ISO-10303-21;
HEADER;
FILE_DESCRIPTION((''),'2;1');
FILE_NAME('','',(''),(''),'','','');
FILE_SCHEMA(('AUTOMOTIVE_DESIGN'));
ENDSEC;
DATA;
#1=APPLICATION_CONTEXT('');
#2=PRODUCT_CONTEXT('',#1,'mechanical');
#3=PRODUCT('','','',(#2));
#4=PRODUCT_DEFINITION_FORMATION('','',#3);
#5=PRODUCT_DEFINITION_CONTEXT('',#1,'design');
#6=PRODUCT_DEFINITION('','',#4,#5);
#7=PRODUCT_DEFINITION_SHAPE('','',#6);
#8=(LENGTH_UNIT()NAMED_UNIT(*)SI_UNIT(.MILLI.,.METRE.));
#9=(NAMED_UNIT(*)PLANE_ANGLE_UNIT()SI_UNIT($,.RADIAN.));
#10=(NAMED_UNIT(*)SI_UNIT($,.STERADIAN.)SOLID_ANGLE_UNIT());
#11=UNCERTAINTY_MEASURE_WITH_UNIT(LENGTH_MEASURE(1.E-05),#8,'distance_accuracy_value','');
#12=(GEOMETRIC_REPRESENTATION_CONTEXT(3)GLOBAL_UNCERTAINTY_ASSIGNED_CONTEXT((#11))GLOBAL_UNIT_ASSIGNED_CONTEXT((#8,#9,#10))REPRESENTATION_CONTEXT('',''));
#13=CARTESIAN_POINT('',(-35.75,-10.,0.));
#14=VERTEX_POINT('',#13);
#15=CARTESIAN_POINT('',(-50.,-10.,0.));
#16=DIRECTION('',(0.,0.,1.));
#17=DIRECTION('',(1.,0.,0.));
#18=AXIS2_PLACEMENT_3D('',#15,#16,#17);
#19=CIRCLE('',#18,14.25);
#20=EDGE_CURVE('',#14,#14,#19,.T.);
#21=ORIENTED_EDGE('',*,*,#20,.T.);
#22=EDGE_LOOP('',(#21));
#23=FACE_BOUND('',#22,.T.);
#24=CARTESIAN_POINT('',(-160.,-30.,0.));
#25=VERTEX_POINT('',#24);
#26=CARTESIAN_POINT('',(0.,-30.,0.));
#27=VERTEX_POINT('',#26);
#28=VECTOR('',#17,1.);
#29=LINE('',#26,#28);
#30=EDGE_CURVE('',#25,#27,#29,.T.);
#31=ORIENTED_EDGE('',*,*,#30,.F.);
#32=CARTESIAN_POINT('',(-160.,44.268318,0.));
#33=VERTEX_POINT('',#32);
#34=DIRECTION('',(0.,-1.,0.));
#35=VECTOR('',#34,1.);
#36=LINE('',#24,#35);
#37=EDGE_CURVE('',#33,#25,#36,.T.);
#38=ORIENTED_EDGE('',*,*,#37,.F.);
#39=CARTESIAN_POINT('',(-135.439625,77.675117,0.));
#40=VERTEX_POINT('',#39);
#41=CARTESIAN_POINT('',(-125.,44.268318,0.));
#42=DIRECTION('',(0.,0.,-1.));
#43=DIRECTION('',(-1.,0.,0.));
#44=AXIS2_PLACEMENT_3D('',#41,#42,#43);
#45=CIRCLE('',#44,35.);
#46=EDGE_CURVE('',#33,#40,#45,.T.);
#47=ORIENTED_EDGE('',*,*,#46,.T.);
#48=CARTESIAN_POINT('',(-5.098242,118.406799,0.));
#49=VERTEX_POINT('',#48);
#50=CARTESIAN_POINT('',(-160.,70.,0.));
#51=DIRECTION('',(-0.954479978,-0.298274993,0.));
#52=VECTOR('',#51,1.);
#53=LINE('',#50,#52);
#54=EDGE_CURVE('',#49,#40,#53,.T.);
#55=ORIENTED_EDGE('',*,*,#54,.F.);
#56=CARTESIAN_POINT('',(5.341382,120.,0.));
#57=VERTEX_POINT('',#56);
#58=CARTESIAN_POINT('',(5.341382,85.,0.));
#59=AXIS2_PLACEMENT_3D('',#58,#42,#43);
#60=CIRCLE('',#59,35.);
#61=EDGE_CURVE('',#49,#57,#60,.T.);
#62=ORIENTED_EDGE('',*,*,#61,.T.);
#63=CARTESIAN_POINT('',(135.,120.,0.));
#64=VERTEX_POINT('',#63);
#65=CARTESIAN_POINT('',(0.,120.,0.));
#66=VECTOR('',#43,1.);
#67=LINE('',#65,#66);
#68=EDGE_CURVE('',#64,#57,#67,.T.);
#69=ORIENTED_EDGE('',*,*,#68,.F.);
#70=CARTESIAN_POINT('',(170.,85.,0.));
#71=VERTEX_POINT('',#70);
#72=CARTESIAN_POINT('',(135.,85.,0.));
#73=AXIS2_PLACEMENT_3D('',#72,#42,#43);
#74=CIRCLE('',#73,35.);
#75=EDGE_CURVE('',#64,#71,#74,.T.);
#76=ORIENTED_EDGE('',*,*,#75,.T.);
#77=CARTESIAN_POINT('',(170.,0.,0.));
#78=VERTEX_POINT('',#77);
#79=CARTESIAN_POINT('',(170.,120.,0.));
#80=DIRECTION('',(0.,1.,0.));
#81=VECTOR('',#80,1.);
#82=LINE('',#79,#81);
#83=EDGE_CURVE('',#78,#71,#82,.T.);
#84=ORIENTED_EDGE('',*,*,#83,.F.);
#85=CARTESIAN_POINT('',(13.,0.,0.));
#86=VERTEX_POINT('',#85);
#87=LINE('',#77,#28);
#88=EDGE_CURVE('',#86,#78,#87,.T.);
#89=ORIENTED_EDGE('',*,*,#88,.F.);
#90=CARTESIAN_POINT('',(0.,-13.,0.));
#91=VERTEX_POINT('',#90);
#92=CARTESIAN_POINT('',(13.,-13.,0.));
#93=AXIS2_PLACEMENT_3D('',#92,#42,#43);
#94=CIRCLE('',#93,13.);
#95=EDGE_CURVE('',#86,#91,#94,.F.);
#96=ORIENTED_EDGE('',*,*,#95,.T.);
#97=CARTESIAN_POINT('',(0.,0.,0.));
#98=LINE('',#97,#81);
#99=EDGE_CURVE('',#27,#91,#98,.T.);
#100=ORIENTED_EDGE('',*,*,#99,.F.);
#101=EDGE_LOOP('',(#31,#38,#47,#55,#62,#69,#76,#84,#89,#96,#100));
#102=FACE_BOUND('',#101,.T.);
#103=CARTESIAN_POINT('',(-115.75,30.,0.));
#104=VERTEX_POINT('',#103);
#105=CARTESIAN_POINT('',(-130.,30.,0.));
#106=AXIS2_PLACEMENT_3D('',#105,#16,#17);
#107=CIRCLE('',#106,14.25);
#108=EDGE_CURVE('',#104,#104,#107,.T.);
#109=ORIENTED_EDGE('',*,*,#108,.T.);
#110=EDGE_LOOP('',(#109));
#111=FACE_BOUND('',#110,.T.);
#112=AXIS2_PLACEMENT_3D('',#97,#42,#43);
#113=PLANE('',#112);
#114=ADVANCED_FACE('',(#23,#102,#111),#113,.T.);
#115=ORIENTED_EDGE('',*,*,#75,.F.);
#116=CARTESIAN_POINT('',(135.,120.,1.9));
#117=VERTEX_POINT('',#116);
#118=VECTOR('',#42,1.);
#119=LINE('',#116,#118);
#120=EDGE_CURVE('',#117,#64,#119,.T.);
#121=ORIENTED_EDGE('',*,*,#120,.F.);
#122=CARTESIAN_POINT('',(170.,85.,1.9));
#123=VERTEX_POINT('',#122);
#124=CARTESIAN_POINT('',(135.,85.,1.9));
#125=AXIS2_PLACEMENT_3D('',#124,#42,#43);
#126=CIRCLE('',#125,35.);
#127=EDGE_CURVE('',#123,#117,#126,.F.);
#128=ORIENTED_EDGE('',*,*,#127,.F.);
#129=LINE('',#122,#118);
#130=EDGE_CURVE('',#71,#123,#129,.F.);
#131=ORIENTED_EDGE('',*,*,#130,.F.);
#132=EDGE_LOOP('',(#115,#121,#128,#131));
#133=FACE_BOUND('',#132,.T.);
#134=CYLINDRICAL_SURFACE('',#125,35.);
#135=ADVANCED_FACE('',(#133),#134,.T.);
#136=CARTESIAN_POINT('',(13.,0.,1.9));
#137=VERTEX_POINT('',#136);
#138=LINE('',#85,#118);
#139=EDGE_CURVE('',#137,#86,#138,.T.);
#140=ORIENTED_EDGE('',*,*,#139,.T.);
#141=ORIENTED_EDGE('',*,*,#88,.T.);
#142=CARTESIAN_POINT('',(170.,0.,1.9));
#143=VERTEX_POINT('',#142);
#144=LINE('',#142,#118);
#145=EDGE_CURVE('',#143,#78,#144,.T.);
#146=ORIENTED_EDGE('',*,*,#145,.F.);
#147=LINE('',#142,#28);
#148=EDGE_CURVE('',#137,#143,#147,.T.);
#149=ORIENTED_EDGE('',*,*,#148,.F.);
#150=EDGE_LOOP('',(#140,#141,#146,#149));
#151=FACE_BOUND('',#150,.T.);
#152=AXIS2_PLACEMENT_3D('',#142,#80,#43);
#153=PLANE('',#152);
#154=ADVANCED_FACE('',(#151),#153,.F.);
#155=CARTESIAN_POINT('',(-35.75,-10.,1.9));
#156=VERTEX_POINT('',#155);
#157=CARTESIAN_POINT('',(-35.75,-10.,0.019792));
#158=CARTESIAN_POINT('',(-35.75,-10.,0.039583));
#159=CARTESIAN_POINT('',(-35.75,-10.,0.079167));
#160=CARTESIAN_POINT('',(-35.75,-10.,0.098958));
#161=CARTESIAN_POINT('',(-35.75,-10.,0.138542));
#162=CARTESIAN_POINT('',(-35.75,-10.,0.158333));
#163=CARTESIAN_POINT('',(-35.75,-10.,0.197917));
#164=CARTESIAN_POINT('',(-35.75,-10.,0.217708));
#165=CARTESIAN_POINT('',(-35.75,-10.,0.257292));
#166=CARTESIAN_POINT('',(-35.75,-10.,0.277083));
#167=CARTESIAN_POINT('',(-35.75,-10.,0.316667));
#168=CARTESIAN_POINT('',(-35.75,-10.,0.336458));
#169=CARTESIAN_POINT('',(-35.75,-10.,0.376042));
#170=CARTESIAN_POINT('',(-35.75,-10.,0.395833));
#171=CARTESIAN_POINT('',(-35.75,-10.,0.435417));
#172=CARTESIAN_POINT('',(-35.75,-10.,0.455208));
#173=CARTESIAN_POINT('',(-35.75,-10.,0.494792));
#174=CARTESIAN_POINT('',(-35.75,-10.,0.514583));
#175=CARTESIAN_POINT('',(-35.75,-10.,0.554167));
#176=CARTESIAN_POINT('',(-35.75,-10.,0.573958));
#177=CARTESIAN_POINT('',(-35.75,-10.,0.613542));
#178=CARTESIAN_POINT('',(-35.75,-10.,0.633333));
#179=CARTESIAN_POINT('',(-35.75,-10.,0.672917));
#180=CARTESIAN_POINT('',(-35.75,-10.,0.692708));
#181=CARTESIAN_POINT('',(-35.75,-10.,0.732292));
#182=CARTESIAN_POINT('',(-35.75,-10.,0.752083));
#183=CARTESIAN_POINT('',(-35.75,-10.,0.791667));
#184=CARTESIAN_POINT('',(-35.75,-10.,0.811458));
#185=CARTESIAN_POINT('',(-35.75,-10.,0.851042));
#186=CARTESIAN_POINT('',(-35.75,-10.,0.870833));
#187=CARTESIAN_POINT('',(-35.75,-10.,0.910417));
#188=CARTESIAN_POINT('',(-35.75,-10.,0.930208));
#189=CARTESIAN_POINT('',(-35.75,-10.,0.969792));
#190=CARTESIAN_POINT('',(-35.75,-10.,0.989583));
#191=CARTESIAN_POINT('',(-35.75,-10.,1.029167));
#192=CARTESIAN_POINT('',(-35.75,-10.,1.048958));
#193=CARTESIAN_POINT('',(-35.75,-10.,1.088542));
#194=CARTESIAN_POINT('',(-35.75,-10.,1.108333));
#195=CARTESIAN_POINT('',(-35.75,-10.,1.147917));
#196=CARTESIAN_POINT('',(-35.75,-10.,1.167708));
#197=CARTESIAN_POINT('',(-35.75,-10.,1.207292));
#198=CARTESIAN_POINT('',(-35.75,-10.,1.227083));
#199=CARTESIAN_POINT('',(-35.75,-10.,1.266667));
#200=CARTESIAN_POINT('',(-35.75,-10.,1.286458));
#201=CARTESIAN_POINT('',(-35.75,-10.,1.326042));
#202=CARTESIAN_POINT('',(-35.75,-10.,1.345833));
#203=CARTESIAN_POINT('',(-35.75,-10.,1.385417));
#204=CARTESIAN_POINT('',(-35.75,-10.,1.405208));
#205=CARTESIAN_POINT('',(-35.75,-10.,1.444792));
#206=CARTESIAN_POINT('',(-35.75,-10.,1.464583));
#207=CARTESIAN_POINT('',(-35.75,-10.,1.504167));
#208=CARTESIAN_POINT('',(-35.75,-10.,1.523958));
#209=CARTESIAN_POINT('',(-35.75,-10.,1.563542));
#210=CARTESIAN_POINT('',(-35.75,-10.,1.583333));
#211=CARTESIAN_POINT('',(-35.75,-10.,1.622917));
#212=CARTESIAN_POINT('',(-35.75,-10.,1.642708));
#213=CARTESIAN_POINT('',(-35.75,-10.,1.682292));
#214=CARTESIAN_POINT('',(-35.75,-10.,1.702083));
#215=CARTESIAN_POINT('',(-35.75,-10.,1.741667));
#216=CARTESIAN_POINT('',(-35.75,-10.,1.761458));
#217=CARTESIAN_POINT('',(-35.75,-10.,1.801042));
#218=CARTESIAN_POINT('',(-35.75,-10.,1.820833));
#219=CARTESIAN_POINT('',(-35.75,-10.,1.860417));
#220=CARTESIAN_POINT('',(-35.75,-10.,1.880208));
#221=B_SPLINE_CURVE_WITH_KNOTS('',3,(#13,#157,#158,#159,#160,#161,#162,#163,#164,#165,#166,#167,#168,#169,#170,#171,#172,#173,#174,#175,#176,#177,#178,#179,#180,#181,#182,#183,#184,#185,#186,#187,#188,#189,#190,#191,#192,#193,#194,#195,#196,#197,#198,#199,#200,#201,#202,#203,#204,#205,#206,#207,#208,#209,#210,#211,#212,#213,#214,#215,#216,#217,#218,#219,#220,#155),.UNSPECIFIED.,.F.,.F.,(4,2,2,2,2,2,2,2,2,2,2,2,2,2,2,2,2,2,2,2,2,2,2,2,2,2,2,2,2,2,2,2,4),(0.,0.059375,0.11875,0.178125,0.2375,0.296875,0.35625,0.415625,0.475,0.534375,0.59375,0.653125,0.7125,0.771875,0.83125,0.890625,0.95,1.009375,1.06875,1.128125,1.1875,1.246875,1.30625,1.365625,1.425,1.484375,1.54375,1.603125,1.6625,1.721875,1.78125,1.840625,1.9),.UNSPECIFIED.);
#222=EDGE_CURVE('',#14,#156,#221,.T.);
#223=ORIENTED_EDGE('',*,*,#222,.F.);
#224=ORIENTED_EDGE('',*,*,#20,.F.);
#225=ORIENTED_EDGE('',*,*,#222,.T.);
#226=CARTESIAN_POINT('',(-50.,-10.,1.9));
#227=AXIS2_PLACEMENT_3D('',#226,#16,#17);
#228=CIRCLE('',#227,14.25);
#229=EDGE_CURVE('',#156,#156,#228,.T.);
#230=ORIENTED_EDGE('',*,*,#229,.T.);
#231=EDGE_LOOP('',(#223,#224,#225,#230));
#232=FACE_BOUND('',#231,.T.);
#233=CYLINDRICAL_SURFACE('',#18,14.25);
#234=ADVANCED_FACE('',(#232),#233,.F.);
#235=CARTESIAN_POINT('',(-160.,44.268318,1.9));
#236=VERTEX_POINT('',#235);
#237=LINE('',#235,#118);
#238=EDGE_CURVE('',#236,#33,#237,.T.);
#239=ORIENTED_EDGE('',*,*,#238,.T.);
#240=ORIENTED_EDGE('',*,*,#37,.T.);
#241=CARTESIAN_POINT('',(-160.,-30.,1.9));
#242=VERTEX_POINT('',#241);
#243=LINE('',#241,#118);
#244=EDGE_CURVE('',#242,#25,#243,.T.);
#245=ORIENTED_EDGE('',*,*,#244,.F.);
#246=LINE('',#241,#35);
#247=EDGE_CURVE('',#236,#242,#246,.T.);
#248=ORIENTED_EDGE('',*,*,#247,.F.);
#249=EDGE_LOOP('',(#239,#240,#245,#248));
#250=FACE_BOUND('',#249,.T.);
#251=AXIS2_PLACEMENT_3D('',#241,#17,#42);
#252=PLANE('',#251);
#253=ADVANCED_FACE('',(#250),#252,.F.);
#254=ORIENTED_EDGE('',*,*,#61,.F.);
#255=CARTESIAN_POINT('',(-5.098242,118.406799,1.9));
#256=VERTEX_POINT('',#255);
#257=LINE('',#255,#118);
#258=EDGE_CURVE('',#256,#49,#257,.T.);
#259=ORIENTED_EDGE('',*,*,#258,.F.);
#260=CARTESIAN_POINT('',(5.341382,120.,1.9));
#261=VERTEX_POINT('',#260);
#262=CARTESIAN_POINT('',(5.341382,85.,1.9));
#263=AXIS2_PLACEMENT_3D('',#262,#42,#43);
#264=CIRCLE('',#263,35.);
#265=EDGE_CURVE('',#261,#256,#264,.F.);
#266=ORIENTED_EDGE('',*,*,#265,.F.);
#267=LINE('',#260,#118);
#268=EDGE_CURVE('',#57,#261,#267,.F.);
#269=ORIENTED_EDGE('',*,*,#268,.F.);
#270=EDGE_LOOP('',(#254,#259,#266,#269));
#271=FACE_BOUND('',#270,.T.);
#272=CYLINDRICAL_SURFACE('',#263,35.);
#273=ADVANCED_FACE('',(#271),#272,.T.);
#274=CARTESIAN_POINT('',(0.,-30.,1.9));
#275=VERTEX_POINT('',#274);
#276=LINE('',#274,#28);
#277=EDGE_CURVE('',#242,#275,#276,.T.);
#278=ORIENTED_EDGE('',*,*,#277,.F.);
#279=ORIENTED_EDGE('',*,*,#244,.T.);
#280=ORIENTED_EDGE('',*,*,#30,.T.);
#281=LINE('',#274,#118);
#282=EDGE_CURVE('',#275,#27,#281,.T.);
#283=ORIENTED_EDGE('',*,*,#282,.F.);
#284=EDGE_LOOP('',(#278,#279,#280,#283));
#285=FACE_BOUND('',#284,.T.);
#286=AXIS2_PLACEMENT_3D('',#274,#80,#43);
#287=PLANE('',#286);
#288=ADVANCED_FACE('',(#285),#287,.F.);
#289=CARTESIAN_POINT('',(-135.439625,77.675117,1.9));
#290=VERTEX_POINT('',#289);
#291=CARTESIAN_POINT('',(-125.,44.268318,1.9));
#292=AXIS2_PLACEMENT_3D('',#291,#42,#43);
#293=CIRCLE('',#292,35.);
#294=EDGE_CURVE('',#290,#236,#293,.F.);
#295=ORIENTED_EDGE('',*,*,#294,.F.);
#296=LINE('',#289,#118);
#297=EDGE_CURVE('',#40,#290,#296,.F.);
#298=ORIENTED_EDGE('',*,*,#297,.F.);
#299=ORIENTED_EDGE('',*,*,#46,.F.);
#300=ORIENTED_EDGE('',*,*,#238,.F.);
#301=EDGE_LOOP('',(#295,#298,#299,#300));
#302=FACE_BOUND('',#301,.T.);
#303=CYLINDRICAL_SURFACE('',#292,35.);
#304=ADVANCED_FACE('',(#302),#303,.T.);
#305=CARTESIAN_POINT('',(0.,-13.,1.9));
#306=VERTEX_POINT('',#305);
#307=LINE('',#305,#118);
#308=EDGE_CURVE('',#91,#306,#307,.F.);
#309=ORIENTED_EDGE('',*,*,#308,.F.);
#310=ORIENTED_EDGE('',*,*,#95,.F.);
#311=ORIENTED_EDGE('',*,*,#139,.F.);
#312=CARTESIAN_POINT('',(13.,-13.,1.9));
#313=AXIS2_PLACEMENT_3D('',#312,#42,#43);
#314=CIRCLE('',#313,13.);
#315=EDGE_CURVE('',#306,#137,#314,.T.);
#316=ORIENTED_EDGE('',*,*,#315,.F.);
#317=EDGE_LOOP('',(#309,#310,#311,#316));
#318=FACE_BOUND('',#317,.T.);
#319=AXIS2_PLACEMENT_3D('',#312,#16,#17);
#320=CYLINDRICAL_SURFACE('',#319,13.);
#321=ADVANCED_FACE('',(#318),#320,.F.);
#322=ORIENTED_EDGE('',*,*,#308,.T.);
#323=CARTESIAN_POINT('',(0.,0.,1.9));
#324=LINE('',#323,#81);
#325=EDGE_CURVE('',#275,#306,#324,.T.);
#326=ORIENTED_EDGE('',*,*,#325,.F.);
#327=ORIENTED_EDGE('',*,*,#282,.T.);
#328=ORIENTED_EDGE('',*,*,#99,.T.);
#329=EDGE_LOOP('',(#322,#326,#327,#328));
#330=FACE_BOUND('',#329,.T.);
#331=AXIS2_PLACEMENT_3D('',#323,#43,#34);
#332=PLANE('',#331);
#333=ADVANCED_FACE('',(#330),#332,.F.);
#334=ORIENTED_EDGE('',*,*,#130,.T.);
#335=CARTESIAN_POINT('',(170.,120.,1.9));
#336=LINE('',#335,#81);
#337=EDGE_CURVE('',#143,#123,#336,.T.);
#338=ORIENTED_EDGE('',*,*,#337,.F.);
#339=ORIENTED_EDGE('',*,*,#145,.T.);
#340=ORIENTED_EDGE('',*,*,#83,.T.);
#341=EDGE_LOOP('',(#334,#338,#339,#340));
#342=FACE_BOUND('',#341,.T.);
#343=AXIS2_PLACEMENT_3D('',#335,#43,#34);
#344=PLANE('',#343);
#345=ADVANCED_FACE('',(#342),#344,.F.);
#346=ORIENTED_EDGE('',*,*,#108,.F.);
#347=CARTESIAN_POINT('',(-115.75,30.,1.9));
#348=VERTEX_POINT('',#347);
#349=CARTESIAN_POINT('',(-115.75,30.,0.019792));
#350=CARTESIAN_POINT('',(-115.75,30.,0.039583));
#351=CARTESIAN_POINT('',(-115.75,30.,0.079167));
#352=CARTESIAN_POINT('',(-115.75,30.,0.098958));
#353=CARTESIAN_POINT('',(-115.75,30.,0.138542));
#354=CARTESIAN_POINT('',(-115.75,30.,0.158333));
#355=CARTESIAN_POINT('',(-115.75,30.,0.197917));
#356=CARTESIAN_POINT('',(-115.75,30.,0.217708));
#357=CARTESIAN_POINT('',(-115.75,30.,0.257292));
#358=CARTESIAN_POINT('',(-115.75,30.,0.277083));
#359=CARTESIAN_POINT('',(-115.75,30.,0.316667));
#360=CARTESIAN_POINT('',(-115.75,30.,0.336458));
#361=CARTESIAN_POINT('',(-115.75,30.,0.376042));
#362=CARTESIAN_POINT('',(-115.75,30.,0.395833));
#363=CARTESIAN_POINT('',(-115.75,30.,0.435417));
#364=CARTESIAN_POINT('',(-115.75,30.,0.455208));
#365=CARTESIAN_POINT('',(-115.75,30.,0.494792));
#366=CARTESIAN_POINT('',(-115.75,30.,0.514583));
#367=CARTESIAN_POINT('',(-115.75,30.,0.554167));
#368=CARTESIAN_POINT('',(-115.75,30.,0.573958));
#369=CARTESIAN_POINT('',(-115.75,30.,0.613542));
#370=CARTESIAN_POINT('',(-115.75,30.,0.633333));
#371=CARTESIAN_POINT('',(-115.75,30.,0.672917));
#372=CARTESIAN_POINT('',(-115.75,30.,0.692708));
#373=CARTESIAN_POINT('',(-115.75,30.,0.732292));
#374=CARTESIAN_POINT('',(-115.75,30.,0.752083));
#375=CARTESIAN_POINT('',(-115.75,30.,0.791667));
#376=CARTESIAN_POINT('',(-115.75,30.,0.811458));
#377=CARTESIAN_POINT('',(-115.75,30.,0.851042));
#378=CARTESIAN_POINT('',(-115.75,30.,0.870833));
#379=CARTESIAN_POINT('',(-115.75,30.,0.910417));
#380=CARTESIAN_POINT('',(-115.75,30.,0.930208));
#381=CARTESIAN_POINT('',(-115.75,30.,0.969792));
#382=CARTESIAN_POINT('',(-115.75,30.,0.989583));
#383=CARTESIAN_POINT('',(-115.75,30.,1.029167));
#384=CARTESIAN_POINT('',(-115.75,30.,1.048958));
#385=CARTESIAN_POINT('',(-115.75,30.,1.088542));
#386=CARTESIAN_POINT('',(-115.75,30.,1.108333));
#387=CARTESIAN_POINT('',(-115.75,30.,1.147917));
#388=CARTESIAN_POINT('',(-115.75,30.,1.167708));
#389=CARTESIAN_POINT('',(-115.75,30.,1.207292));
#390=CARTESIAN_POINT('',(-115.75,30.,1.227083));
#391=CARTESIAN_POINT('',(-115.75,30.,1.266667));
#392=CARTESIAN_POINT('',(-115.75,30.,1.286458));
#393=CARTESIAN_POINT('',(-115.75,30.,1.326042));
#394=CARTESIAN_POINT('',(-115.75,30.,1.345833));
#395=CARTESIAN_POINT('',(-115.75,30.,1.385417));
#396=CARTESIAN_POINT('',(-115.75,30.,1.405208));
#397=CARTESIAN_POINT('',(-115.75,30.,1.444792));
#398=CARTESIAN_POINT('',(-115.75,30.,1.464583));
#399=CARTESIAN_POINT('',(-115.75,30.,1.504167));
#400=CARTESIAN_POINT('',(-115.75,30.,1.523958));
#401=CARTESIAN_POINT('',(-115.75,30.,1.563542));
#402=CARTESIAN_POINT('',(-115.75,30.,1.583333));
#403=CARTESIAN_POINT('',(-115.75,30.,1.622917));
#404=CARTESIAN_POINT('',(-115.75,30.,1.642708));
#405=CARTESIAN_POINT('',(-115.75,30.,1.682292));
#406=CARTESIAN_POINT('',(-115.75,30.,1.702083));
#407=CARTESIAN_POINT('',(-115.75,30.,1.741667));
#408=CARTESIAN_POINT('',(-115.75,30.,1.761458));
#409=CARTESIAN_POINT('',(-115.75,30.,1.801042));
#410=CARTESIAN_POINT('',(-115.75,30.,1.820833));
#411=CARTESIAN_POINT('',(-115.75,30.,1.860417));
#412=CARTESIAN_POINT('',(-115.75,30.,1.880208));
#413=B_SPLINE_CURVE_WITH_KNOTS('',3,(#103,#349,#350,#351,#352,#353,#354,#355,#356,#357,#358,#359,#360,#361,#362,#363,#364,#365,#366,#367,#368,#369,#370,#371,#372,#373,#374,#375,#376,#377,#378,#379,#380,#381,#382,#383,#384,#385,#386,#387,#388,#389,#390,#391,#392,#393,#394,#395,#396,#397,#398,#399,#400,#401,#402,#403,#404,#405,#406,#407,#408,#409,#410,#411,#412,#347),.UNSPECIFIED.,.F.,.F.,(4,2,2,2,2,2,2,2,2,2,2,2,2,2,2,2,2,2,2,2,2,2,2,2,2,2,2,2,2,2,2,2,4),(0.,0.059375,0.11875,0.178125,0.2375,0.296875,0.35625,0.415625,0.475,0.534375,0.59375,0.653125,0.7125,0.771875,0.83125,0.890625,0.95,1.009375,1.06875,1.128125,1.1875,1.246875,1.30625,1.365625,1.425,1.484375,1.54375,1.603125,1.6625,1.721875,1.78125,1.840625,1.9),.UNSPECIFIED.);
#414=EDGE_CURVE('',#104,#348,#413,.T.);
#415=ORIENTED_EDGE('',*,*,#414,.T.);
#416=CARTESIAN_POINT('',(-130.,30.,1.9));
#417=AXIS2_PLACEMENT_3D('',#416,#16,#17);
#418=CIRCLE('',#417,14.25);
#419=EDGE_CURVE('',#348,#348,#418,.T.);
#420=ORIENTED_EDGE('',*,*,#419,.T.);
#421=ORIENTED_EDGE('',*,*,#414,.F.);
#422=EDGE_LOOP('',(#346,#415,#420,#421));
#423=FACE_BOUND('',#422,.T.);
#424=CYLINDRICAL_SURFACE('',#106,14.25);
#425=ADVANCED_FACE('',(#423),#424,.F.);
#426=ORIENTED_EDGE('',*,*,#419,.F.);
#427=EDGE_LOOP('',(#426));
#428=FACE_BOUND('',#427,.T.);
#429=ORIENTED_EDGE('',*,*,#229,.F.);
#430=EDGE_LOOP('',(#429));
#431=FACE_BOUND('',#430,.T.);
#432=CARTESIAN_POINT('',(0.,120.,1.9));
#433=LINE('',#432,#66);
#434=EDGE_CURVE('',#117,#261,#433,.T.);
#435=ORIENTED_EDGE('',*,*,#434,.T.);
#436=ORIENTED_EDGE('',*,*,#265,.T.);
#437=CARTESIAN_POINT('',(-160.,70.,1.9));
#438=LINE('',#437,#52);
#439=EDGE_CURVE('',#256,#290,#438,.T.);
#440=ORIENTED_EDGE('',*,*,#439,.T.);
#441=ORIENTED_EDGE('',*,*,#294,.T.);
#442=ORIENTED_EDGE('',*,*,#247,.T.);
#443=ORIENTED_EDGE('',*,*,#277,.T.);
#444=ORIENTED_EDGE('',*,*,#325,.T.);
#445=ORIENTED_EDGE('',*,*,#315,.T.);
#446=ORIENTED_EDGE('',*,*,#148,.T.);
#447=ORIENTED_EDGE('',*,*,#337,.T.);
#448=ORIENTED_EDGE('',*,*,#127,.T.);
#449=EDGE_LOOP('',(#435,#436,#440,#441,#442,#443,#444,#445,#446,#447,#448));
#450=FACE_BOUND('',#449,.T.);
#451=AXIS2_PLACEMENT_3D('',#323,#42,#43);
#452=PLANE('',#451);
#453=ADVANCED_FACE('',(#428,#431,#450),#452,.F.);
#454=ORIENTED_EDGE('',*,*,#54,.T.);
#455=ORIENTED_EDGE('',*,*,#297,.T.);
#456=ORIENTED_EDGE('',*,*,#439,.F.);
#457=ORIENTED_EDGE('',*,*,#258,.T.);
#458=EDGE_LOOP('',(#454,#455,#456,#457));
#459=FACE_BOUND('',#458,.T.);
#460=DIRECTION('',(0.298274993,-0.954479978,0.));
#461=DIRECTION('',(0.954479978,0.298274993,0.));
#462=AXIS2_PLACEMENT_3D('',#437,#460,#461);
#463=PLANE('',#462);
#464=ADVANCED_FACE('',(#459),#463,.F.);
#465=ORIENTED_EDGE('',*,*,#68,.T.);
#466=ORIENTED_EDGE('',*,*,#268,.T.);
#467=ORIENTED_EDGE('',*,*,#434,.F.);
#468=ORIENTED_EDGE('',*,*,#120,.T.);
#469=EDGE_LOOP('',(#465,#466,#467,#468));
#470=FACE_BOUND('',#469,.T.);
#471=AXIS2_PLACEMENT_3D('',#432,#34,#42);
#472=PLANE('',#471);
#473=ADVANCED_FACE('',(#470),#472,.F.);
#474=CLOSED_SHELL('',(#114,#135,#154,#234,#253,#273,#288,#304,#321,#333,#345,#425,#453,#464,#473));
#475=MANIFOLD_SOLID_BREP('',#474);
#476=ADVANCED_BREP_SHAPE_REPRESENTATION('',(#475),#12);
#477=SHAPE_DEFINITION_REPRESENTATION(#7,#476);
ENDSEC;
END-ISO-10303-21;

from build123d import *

# Parameters (mm, degrees)
RESSALTO_EXTRUS_O1_DEPTH = 1.9
ESBO_O2_R                = 14.25
CORTE_EXTRUS_O1_DEPTH    = 1.9
FILETE1_R                = 13
FILETE2_R                = 35


with BuildPart() as part:
    # Esboço1 → Ressalto-extrusão1 (new body)
    with BuildSketch(Plane.XY):
        Polygon((-160, 70), (0, 120), (170, 120), (170, 0), (0, 0), (0, -30), (-160, -30), align=None)
    extrude(amount=RESSALTO_EXTRUS_O1_DEPTH)

    # Esboço2 → Corte-extrusão1 (cut)
    with BuildSketch(Plane.XY.offset(1.9)):
        with Locations((-50, -10)):
            Circle(ESBO_O2_R)
        with Locations((-130, 30)):
            Circle(ESBO_O2_R)
    extrude(amount=-CORTE_EXTRUS_O1_DEPTH, mode=Mode.SUBTRACT)

    # Filete1
    filete1_edges = [part.edges().sort_by_distance(p)[0] for p in [
        (0, 0, 0.95),
    ]]
    fillet(filete1_edges, radius=FILETE1_R)

    # Filete2
    filete2_edges = [part.edges().sort_by_distance(p)[0] for p in [
        (-160, 70, 0.95),
        (0, 120, 0.95),
        (170, 120, 0.95),
    ]]
    fillet(filete2_edges, radius=FILETE2_R)


solid = part.part
